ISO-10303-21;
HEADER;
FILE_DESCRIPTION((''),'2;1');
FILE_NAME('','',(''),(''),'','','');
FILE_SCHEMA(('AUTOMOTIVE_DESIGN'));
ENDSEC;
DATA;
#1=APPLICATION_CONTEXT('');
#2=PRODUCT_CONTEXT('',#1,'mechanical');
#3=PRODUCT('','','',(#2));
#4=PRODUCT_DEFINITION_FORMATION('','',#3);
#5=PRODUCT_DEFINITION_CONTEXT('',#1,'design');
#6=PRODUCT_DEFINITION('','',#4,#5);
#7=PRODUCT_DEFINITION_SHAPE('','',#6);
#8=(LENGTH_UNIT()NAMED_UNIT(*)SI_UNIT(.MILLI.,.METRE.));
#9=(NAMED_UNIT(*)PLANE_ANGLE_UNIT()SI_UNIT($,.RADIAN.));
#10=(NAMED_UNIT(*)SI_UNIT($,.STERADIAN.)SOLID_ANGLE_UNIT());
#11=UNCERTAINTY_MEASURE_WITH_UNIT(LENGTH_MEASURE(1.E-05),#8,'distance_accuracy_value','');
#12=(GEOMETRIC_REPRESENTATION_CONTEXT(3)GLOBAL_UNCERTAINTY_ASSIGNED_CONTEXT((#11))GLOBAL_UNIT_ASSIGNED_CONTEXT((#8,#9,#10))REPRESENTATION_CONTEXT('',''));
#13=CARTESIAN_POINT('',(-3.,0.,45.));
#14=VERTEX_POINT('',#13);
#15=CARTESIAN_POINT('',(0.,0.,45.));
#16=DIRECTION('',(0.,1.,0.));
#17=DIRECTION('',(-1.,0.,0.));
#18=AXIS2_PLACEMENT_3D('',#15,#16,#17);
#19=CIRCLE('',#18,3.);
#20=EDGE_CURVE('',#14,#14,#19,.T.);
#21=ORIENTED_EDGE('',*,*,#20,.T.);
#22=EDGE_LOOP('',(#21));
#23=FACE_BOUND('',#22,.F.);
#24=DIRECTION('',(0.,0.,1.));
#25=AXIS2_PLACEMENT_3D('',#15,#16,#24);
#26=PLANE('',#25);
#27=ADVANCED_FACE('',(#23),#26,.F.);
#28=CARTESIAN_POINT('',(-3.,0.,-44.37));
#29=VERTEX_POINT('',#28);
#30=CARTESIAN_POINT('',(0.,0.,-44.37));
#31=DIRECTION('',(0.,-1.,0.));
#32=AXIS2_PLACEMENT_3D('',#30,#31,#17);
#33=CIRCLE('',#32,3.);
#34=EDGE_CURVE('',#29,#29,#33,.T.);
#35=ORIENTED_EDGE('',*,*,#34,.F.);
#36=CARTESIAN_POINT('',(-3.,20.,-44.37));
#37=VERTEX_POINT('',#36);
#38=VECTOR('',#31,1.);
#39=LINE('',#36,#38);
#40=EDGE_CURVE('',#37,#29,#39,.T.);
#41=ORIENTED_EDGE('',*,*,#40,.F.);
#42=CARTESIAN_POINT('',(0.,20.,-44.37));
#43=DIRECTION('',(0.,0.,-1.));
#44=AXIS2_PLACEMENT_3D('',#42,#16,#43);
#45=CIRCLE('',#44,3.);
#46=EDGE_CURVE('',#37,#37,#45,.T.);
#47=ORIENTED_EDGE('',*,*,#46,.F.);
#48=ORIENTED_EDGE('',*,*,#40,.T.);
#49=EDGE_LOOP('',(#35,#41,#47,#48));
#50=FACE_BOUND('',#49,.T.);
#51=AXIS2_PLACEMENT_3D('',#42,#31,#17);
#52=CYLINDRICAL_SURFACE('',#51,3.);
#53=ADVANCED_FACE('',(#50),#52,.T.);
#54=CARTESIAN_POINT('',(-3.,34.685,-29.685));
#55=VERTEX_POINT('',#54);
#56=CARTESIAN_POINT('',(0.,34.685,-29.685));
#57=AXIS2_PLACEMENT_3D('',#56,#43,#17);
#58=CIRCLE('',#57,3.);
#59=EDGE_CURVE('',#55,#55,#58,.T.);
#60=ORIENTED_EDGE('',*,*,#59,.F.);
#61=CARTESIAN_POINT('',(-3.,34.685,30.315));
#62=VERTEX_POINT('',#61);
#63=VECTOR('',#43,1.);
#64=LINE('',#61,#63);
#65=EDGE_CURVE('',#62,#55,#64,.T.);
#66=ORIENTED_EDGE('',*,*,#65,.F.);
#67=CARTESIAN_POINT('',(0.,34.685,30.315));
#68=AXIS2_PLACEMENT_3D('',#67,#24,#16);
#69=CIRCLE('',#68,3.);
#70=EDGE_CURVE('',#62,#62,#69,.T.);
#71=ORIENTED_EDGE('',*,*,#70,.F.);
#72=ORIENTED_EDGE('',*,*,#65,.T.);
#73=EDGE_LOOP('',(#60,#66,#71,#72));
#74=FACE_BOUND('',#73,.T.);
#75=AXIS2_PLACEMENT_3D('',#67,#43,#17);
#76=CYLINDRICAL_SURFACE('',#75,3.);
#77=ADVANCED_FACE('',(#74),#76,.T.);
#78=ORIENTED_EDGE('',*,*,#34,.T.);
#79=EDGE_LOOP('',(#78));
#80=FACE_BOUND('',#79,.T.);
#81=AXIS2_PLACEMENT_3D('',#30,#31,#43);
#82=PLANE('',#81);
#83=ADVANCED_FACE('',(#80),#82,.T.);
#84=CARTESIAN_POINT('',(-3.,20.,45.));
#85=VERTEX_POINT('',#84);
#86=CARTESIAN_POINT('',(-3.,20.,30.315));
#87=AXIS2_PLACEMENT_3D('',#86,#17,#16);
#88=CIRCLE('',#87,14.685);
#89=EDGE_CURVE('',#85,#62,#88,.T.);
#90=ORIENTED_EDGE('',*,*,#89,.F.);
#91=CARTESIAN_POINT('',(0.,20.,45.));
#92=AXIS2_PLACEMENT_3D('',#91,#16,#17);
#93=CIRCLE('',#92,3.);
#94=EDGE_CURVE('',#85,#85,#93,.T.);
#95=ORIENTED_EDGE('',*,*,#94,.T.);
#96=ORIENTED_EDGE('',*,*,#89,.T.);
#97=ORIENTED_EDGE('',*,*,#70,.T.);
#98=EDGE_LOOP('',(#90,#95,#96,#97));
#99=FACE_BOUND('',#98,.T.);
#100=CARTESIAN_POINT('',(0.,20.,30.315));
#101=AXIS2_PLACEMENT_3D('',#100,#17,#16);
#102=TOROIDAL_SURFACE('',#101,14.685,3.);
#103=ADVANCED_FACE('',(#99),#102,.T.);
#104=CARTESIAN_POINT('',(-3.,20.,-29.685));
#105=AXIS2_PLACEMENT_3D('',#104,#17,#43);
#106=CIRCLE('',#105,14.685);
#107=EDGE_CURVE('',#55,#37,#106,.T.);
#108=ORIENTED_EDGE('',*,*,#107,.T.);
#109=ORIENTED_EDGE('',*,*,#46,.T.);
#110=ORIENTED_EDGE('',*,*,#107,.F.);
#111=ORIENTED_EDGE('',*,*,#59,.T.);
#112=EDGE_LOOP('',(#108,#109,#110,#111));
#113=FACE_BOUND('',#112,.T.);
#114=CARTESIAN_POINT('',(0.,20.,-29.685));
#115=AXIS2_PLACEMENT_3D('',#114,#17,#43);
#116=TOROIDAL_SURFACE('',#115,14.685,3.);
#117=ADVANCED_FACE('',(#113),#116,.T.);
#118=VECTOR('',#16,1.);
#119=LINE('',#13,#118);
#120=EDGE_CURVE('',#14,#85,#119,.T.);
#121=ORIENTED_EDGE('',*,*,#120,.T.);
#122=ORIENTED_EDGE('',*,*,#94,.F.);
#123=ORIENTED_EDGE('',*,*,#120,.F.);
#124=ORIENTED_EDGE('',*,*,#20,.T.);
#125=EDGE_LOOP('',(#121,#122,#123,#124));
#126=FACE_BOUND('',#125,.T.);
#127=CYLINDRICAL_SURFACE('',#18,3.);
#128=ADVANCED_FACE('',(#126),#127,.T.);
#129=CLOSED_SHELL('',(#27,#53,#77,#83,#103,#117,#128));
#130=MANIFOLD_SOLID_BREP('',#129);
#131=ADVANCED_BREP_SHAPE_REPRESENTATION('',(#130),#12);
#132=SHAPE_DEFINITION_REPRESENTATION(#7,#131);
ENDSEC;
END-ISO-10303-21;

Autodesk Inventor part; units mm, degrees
ref_plane "YZ Plane" through (0, 0, 0) normal (1, 0, 0) x (0, 1, 0)
ref_plane "XZ Plane" through (0, 0, 0) normal (0, 1, 0) x (-1, 0, 0)
ref_plane "XY Plane" through (0, 0, 0) normal (0, 0, 1) x (1, 0, 0)
sketch "Boceto1" plane through (0, 0, 0) normal (1, 0, 0) x (0, 1, 0)
  line L0 (0, 45.315) -> (20, 45.315)
  line L1 (35, 30.315) -> (35, -29.685)
  line L2 (20, -44.685) -> (0, -44.685)
  arc A0 (35, 30.315) -> (20, 45.315) centre (20, 30.315) ccw
  arc A1 (20, -44.685) -> (35, -29.685) centre (20, -29.685) ccw
  point P0 (0, 0)
  point P1 (35, 45.315)
  point P2 (35, -44.685)
  dimension "d0" = 35
  dimension "d1" = 90
  dimension "d2" = 15
sketch "Boceto2" plane through (0, 0, 0) normal (0, 1, 0) x (-1, 0, 0)
  circle A0 centre (0, 45) radius 3
  point P0 (0, 0)
  dimension "d3" = 6
sweep "Barrido1" add profiles "Boceto2" path "Boceto1"
properties part number "AGARRADERA" material "Acero inoxidable"
